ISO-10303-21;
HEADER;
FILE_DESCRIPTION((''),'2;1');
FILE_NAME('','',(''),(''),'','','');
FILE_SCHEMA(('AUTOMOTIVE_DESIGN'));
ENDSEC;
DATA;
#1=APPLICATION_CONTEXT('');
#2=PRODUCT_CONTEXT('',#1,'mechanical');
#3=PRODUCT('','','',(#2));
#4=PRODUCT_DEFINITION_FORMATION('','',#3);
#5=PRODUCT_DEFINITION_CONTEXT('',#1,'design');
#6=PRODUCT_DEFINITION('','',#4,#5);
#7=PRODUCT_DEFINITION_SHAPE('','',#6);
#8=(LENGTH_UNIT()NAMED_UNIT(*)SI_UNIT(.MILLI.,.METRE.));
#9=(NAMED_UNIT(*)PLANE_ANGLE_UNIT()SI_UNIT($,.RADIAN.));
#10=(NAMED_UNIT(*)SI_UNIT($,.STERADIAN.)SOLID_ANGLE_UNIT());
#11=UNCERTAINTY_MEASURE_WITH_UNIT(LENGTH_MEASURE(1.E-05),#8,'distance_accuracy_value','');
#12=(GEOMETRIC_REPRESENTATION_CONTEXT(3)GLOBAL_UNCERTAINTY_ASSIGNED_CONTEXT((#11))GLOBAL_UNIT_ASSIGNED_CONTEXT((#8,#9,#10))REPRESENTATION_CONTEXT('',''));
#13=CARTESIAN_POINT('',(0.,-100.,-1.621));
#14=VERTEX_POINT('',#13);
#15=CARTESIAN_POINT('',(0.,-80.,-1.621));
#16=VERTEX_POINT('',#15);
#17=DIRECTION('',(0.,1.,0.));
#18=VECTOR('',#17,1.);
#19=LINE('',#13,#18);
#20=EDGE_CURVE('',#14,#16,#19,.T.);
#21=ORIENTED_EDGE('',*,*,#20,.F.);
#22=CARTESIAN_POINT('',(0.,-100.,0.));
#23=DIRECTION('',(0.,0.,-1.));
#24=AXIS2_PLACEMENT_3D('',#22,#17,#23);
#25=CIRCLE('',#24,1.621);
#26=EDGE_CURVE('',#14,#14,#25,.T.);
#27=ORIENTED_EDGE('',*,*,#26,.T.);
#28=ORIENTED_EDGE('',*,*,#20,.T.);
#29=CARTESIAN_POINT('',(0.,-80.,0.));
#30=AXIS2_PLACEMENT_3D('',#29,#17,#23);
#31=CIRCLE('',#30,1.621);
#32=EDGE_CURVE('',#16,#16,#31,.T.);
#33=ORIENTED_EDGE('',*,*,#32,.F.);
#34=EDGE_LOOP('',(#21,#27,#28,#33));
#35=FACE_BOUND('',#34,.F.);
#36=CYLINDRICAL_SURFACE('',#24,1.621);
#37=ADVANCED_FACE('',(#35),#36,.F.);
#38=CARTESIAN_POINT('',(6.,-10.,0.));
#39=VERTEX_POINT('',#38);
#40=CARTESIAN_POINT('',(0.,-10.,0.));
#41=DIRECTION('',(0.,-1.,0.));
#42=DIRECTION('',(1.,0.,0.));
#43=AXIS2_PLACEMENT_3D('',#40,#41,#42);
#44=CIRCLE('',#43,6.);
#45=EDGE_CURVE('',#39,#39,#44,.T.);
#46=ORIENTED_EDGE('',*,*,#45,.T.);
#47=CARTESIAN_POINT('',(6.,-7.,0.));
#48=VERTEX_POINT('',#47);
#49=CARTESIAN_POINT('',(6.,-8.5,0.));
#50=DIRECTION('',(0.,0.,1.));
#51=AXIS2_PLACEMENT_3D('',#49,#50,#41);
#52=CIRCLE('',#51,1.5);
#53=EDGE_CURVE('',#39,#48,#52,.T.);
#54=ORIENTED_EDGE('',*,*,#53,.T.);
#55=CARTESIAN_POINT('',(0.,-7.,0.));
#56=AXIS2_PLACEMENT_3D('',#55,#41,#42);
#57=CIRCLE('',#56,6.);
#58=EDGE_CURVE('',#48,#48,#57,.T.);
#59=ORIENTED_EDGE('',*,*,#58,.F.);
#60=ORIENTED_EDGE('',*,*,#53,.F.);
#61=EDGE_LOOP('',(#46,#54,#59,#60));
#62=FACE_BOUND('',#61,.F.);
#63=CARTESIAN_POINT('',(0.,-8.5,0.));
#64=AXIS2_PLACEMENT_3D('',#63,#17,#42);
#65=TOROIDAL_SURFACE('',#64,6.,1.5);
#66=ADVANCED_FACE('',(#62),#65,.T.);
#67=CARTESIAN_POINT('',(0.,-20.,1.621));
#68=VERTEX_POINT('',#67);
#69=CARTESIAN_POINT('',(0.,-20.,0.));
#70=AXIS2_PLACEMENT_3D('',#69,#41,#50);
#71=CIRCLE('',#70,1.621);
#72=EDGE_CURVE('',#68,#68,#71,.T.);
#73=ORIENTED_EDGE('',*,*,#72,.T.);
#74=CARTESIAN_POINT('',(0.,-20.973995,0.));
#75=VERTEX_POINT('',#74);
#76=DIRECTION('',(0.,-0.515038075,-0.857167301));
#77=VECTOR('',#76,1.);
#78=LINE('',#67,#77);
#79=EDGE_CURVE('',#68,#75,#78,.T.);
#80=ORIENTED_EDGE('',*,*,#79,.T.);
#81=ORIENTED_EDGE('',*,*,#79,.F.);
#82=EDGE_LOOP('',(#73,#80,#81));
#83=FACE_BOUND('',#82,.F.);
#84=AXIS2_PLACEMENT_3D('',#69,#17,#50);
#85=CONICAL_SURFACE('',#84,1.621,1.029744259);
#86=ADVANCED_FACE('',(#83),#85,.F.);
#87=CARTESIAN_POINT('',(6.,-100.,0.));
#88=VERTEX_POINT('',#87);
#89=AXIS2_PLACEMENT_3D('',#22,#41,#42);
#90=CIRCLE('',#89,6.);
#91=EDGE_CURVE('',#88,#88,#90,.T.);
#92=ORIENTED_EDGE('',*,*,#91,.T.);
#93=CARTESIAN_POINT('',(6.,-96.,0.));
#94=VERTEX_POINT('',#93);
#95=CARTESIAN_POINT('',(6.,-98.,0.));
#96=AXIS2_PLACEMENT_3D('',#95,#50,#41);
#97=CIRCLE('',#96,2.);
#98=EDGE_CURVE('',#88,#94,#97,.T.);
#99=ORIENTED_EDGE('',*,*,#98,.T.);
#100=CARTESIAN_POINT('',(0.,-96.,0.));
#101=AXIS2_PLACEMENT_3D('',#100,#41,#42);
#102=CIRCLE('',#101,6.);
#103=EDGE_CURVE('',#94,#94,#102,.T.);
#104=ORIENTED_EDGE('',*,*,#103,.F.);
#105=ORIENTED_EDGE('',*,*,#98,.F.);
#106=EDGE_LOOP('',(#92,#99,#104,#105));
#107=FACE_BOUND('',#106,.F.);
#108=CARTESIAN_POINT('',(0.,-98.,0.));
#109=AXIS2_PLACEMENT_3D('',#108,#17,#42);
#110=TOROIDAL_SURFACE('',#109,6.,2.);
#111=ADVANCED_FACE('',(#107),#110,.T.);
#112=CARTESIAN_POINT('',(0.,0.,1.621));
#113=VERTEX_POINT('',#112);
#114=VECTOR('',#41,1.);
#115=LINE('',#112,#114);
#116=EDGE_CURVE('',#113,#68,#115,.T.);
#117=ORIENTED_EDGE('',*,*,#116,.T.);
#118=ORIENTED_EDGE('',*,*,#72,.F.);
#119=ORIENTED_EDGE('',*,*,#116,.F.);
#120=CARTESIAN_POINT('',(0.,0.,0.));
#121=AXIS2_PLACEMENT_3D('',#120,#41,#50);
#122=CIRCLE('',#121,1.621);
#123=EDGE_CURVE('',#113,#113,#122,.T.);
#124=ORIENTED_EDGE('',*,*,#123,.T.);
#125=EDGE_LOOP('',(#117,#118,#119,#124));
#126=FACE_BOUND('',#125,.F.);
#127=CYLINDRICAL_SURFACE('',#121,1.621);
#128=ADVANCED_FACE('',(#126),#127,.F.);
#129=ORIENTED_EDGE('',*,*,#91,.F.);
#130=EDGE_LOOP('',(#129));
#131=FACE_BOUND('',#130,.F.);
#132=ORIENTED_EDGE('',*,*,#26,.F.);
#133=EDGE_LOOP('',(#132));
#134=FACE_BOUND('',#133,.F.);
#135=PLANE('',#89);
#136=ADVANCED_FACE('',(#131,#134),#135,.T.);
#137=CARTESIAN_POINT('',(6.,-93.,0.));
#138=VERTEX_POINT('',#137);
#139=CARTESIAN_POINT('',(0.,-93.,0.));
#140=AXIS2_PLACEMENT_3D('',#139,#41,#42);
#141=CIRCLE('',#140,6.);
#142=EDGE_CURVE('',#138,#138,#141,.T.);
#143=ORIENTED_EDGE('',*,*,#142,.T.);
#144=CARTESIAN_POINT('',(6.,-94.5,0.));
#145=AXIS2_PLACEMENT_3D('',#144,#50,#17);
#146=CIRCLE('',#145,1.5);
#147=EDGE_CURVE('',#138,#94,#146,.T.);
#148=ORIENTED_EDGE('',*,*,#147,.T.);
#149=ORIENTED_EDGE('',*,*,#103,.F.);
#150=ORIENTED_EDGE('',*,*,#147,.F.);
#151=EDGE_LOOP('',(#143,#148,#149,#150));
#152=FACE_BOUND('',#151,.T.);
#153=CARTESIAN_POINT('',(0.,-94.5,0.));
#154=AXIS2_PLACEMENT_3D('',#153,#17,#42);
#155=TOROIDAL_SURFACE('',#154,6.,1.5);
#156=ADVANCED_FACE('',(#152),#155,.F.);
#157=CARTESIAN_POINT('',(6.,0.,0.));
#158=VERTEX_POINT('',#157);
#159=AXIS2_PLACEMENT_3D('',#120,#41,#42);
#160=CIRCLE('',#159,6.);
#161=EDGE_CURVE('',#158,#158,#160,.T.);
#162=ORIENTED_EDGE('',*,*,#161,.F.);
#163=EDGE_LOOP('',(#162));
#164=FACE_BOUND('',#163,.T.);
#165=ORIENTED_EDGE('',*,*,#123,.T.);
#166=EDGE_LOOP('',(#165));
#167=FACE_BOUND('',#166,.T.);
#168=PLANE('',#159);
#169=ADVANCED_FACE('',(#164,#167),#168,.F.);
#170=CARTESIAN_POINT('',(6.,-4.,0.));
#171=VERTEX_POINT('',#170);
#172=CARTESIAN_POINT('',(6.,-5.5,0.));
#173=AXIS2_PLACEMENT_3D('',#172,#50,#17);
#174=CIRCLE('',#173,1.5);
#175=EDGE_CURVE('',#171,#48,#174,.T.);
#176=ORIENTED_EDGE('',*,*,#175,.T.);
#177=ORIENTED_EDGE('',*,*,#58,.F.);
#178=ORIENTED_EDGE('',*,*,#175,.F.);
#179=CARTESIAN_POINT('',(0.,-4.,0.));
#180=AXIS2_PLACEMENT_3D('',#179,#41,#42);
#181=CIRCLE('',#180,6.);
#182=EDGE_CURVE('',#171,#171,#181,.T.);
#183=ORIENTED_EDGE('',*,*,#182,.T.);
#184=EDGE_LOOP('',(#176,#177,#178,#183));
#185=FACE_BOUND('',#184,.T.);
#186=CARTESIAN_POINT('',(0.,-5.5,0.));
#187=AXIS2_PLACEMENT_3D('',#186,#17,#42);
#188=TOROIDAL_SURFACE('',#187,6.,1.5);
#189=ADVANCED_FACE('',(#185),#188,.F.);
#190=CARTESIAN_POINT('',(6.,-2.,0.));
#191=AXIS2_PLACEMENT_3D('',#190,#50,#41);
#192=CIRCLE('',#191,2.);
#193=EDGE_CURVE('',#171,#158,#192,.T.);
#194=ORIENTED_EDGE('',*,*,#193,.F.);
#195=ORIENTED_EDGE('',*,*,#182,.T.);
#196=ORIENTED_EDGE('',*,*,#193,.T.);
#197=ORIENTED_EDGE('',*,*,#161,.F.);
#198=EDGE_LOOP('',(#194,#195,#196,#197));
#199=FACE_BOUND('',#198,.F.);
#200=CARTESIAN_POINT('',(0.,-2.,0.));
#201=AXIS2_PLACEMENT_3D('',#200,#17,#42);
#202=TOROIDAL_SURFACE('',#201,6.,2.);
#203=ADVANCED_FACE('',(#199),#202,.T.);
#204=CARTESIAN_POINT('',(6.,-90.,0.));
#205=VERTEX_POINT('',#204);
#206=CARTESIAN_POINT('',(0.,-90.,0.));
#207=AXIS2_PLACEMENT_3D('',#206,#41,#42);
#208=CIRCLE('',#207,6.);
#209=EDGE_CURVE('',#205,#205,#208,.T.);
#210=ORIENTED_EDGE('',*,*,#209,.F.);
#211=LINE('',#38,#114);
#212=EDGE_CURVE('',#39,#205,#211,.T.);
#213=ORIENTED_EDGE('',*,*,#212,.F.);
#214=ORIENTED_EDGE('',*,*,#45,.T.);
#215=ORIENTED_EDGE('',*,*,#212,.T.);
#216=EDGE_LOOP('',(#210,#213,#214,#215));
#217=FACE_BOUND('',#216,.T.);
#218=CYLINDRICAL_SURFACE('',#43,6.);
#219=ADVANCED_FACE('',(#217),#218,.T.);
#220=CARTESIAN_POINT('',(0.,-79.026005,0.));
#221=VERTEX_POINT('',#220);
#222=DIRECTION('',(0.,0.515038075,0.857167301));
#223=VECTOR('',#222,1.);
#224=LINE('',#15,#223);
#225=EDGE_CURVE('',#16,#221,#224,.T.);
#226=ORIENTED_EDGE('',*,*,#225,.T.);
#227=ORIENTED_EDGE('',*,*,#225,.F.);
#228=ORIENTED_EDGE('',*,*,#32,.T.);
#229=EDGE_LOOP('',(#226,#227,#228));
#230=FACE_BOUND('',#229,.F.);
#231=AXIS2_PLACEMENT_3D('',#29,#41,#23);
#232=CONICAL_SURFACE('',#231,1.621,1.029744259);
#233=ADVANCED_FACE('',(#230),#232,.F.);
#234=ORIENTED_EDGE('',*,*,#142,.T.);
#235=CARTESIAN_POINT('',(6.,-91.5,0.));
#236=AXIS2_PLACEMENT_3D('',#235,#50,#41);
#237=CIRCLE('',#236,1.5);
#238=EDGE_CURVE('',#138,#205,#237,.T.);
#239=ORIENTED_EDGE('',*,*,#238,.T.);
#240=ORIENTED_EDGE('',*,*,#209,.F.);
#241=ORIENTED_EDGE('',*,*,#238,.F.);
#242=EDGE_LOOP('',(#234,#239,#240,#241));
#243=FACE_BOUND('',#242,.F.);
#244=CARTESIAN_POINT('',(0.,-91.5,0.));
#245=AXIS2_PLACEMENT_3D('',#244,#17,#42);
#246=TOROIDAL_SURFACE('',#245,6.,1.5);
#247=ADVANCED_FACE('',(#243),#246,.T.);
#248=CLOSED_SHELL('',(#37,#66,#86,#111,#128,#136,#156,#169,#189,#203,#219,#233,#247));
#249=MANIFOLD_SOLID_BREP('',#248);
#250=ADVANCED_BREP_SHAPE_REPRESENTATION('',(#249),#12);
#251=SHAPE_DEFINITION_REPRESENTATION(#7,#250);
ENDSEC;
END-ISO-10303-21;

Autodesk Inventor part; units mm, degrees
ref_plane "XZ Plane" through (0, 0, 0) normal (0, 1, 0) x (-1, 0, 0)
sketch "Sketch1" plane through (0, 0, 0) normal (0, 0, 1) x (1, 0, 0)
  line L0 (0, 0) -> (0, -100)
  line L1 (0, 0) -> (6, 0)
  line L2 (6, 0) -> (6, -4) construction
  arc A0 (6, -4) -> (6, 0) centre (6, -2) ccw
  arc A1 (6, -4) -> (6, -7) centre (6, -5.5) ccw
  line L3 (6, -5.5) -> (2.7369, -5.5) construction
  arc A2 (6, -10) -> (6, -7) centre (6, -8.5) ccw
  line L4 (0, -100) -> (6, -100)
  line L5 (6, -100) -> (6, -96) construction
  arc A3 (6, -100) -> (6, -96) centre (6, -98) ccw
  arc A4 (6, -93) -> (6, -96) centre (6, -94.5) ccw
  arc A5 (6, -93) -> (6, -90) centre (6, -91.5) ccw
  line L6 (6, -10) -> (6, -90)
  point P0 (6, -90)
  point P1 (6, -10)
  dimension "d1" = 8
  dimension "d2" = 4
  dimension "d3" = 1.5
  dimension "d4" = 3
  dimension "d5" = 3
  dimension "d6" = 1.5
  dimension "d7" = 4
  dimension "d8" = 8
  dimension "d9" = 1.5
  dimension "d10" = 3
  dimension "d11" = 3
  dimension "d12" = 1.5
  dimension "d47" = 80
revolve "Revolution1" add sketch "Sketch1" angle 360 about axis through (0, 0, 0) along (0, -1, 0)
ref_plane "Work Plane1" through (8, 0, 0) normal (1, 0, 0) x (0, 1, 0)
ref_plane "Work Plane2" through (-8, 0, 0) normal (1, 0, 0) x (0, 1, 0)
sketch "Sketch5" plane through (0, -100, 0) normal (0, -1, 0) x (1, 0, 0)
  point P0 (0, 0)
  point P1 (0, 0)
hole "Hole1" at (0, -100, 0) direction (0, 1, 0) diameter 3.242 depth 20 tip angle 118 thread size "M4x0.7" class "6H" standard "ISO Metric profile"
sketch "Sketch6" plane through (0, 0, 0) normal (0, 1, 0) x (1, 0, 0)
  point P0 (0, 0)
  point P1 (0, 0)
hole "Hole2" at (0, 0, 0) direction (0, -1, 0) diameter 3.242 depth 20 tip angle 118 thread size "M4x0.7" class "6H" standard "ISO Metric profile"
properties part number "Bell Support Piller" material "Stainless Steel"
